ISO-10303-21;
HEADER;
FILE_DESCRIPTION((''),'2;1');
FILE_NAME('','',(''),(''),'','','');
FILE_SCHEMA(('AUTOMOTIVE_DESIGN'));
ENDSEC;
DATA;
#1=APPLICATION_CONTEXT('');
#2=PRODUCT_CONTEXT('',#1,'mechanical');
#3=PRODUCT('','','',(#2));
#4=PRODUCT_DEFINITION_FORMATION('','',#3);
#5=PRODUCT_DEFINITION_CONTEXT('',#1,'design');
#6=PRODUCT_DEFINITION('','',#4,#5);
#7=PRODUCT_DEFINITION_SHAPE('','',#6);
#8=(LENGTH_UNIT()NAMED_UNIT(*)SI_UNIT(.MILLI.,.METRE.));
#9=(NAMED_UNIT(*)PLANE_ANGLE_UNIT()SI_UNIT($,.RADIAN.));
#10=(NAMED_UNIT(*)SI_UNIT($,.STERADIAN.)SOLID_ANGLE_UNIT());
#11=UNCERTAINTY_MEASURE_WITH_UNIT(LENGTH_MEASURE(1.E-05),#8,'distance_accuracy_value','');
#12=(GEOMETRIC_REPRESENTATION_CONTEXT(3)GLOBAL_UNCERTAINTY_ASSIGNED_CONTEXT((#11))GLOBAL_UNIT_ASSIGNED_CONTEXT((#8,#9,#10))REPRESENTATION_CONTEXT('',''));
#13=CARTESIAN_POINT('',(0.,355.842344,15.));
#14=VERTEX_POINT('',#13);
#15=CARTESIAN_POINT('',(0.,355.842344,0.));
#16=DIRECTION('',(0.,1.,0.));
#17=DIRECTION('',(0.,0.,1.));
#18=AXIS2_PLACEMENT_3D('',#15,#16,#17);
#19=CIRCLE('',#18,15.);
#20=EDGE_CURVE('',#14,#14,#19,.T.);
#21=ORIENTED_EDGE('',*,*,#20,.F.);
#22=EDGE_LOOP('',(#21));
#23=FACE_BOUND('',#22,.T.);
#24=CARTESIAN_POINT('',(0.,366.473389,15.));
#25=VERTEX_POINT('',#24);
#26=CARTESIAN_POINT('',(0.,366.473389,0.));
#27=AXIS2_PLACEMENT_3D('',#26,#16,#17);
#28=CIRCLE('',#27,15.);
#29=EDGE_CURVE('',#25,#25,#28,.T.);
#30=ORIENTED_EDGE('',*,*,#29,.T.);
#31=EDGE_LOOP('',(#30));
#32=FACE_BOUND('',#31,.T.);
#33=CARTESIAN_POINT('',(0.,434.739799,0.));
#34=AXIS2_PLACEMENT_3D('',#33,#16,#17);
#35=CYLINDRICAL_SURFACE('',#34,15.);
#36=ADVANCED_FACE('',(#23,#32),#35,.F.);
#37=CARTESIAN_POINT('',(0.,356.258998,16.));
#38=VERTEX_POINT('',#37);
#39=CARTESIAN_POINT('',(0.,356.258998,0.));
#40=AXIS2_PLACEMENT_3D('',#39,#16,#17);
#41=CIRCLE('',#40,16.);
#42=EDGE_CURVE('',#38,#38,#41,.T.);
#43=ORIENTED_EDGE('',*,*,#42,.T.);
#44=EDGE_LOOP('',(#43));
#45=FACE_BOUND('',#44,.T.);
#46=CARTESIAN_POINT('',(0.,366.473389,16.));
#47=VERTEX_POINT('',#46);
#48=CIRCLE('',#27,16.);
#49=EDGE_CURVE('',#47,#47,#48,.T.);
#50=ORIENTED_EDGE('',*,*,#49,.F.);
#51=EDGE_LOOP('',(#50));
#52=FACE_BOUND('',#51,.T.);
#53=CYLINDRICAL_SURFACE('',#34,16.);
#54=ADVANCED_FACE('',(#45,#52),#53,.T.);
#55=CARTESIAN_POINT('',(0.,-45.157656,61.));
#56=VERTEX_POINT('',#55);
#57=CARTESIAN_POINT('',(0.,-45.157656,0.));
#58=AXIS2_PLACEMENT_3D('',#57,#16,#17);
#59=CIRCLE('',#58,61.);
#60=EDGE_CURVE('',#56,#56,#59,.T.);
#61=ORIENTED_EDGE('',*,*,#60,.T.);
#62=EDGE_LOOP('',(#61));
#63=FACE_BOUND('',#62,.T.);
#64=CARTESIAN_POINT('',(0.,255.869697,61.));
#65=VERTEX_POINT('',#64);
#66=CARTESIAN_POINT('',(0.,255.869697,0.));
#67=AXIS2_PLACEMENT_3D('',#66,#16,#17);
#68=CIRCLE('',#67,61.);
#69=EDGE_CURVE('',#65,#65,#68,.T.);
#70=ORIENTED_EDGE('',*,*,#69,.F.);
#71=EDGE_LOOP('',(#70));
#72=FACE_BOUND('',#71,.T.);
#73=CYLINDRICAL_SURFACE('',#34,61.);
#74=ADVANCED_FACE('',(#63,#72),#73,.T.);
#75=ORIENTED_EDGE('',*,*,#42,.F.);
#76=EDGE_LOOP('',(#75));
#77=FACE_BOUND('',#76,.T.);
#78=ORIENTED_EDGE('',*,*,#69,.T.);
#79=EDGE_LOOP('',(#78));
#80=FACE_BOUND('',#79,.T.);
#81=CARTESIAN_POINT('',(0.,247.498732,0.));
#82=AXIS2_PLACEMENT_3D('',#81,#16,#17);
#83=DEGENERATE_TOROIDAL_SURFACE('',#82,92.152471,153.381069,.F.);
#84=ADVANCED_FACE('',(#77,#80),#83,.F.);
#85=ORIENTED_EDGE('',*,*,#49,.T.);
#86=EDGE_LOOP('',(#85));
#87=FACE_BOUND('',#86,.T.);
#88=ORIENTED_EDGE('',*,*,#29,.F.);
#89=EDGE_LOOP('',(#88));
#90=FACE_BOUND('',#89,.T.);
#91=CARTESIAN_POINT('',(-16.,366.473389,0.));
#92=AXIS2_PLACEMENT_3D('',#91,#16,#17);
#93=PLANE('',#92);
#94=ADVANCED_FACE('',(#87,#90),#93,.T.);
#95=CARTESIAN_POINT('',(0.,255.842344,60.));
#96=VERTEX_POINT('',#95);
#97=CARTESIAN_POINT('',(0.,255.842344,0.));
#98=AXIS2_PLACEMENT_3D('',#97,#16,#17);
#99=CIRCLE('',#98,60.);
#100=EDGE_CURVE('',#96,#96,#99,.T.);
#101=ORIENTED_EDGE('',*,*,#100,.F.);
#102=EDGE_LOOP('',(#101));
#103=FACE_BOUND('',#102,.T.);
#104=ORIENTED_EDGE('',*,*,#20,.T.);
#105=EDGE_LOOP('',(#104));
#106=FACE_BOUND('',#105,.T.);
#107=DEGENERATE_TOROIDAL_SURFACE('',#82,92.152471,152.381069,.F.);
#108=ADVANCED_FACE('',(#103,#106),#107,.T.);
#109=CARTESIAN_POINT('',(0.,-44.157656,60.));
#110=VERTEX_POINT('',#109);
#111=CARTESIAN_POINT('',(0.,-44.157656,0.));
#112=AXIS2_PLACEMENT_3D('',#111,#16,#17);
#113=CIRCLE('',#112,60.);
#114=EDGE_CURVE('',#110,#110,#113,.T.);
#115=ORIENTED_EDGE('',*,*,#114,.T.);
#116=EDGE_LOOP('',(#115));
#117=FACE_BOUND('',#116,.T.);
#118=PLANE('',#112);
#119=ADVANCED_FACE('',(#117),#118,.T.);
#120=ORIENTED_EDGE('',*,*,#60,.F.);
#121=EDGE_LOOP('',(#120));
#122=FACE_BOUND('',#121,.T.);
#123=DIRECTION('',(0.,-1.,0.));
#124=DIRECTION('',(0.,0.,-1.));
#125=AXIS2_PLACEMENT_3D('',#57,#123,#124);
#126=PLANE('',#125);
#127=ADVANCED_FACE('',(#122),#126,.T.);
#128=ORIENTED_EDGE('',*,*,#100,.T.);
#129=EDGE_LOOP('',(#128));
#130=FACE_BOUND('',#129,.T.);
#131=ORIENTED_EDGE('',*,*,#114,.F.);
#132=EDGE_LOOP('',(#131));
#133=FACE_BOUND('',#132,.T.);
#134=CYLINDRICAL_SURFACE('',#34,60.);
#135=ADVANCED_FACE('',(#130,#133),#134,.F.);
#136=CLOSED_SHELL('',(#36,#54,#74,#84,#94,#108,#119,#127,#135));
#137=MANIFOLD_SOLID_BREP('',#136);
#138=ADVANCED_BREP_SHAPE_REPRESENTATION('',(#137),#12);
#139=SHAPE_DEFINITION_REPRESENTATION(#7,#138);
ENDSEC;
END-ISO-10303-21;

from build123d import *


with BuildPart() as part:
    # Sketch8 → Revolve1 (revolve)
    with BuildSketch(Plane.XY, mode=Mode.PRIVATE) as revolve1_sk:
        with BuildLine():
            Line((0, -44.157655741), (-60, -44.157655741))
            Line((-60, -44.157655741), (-60, 255.842344259))
            ThreePointArc((-60, 255.842344259), (-46.807103103, 310.030540655), (-15, 355.842344259))
            Line((-15, 355.842344259), (-15, 365.473388744))
            Line((-15, 365.473388744), (-15, 366.473388744))
            Line((-15, 366.473388744), (-16, 366.473388744))
            Line((-16, 366.473388744), (-16, 356.258998247))
            ThreePointArc((-16, 356.258998247), (-47.810277996, 310.237725941), (-61, 255.869697429))
            Line((-61, 255.869697429), (-61, -45.157655741))
            Line((-61, -45.157655741), (0, -45.157655741))
            Line((0, -45.157655741), (0, -44.157655741))
        make_face()
    revolve(revolve1_sk.sketch.rotate(Axis((0, 434.739798995, 0), (0, -1, 0)), 270), axis=Axis((0, 434.739798995, 0), (0, -1, 0)))


solid = part.part
